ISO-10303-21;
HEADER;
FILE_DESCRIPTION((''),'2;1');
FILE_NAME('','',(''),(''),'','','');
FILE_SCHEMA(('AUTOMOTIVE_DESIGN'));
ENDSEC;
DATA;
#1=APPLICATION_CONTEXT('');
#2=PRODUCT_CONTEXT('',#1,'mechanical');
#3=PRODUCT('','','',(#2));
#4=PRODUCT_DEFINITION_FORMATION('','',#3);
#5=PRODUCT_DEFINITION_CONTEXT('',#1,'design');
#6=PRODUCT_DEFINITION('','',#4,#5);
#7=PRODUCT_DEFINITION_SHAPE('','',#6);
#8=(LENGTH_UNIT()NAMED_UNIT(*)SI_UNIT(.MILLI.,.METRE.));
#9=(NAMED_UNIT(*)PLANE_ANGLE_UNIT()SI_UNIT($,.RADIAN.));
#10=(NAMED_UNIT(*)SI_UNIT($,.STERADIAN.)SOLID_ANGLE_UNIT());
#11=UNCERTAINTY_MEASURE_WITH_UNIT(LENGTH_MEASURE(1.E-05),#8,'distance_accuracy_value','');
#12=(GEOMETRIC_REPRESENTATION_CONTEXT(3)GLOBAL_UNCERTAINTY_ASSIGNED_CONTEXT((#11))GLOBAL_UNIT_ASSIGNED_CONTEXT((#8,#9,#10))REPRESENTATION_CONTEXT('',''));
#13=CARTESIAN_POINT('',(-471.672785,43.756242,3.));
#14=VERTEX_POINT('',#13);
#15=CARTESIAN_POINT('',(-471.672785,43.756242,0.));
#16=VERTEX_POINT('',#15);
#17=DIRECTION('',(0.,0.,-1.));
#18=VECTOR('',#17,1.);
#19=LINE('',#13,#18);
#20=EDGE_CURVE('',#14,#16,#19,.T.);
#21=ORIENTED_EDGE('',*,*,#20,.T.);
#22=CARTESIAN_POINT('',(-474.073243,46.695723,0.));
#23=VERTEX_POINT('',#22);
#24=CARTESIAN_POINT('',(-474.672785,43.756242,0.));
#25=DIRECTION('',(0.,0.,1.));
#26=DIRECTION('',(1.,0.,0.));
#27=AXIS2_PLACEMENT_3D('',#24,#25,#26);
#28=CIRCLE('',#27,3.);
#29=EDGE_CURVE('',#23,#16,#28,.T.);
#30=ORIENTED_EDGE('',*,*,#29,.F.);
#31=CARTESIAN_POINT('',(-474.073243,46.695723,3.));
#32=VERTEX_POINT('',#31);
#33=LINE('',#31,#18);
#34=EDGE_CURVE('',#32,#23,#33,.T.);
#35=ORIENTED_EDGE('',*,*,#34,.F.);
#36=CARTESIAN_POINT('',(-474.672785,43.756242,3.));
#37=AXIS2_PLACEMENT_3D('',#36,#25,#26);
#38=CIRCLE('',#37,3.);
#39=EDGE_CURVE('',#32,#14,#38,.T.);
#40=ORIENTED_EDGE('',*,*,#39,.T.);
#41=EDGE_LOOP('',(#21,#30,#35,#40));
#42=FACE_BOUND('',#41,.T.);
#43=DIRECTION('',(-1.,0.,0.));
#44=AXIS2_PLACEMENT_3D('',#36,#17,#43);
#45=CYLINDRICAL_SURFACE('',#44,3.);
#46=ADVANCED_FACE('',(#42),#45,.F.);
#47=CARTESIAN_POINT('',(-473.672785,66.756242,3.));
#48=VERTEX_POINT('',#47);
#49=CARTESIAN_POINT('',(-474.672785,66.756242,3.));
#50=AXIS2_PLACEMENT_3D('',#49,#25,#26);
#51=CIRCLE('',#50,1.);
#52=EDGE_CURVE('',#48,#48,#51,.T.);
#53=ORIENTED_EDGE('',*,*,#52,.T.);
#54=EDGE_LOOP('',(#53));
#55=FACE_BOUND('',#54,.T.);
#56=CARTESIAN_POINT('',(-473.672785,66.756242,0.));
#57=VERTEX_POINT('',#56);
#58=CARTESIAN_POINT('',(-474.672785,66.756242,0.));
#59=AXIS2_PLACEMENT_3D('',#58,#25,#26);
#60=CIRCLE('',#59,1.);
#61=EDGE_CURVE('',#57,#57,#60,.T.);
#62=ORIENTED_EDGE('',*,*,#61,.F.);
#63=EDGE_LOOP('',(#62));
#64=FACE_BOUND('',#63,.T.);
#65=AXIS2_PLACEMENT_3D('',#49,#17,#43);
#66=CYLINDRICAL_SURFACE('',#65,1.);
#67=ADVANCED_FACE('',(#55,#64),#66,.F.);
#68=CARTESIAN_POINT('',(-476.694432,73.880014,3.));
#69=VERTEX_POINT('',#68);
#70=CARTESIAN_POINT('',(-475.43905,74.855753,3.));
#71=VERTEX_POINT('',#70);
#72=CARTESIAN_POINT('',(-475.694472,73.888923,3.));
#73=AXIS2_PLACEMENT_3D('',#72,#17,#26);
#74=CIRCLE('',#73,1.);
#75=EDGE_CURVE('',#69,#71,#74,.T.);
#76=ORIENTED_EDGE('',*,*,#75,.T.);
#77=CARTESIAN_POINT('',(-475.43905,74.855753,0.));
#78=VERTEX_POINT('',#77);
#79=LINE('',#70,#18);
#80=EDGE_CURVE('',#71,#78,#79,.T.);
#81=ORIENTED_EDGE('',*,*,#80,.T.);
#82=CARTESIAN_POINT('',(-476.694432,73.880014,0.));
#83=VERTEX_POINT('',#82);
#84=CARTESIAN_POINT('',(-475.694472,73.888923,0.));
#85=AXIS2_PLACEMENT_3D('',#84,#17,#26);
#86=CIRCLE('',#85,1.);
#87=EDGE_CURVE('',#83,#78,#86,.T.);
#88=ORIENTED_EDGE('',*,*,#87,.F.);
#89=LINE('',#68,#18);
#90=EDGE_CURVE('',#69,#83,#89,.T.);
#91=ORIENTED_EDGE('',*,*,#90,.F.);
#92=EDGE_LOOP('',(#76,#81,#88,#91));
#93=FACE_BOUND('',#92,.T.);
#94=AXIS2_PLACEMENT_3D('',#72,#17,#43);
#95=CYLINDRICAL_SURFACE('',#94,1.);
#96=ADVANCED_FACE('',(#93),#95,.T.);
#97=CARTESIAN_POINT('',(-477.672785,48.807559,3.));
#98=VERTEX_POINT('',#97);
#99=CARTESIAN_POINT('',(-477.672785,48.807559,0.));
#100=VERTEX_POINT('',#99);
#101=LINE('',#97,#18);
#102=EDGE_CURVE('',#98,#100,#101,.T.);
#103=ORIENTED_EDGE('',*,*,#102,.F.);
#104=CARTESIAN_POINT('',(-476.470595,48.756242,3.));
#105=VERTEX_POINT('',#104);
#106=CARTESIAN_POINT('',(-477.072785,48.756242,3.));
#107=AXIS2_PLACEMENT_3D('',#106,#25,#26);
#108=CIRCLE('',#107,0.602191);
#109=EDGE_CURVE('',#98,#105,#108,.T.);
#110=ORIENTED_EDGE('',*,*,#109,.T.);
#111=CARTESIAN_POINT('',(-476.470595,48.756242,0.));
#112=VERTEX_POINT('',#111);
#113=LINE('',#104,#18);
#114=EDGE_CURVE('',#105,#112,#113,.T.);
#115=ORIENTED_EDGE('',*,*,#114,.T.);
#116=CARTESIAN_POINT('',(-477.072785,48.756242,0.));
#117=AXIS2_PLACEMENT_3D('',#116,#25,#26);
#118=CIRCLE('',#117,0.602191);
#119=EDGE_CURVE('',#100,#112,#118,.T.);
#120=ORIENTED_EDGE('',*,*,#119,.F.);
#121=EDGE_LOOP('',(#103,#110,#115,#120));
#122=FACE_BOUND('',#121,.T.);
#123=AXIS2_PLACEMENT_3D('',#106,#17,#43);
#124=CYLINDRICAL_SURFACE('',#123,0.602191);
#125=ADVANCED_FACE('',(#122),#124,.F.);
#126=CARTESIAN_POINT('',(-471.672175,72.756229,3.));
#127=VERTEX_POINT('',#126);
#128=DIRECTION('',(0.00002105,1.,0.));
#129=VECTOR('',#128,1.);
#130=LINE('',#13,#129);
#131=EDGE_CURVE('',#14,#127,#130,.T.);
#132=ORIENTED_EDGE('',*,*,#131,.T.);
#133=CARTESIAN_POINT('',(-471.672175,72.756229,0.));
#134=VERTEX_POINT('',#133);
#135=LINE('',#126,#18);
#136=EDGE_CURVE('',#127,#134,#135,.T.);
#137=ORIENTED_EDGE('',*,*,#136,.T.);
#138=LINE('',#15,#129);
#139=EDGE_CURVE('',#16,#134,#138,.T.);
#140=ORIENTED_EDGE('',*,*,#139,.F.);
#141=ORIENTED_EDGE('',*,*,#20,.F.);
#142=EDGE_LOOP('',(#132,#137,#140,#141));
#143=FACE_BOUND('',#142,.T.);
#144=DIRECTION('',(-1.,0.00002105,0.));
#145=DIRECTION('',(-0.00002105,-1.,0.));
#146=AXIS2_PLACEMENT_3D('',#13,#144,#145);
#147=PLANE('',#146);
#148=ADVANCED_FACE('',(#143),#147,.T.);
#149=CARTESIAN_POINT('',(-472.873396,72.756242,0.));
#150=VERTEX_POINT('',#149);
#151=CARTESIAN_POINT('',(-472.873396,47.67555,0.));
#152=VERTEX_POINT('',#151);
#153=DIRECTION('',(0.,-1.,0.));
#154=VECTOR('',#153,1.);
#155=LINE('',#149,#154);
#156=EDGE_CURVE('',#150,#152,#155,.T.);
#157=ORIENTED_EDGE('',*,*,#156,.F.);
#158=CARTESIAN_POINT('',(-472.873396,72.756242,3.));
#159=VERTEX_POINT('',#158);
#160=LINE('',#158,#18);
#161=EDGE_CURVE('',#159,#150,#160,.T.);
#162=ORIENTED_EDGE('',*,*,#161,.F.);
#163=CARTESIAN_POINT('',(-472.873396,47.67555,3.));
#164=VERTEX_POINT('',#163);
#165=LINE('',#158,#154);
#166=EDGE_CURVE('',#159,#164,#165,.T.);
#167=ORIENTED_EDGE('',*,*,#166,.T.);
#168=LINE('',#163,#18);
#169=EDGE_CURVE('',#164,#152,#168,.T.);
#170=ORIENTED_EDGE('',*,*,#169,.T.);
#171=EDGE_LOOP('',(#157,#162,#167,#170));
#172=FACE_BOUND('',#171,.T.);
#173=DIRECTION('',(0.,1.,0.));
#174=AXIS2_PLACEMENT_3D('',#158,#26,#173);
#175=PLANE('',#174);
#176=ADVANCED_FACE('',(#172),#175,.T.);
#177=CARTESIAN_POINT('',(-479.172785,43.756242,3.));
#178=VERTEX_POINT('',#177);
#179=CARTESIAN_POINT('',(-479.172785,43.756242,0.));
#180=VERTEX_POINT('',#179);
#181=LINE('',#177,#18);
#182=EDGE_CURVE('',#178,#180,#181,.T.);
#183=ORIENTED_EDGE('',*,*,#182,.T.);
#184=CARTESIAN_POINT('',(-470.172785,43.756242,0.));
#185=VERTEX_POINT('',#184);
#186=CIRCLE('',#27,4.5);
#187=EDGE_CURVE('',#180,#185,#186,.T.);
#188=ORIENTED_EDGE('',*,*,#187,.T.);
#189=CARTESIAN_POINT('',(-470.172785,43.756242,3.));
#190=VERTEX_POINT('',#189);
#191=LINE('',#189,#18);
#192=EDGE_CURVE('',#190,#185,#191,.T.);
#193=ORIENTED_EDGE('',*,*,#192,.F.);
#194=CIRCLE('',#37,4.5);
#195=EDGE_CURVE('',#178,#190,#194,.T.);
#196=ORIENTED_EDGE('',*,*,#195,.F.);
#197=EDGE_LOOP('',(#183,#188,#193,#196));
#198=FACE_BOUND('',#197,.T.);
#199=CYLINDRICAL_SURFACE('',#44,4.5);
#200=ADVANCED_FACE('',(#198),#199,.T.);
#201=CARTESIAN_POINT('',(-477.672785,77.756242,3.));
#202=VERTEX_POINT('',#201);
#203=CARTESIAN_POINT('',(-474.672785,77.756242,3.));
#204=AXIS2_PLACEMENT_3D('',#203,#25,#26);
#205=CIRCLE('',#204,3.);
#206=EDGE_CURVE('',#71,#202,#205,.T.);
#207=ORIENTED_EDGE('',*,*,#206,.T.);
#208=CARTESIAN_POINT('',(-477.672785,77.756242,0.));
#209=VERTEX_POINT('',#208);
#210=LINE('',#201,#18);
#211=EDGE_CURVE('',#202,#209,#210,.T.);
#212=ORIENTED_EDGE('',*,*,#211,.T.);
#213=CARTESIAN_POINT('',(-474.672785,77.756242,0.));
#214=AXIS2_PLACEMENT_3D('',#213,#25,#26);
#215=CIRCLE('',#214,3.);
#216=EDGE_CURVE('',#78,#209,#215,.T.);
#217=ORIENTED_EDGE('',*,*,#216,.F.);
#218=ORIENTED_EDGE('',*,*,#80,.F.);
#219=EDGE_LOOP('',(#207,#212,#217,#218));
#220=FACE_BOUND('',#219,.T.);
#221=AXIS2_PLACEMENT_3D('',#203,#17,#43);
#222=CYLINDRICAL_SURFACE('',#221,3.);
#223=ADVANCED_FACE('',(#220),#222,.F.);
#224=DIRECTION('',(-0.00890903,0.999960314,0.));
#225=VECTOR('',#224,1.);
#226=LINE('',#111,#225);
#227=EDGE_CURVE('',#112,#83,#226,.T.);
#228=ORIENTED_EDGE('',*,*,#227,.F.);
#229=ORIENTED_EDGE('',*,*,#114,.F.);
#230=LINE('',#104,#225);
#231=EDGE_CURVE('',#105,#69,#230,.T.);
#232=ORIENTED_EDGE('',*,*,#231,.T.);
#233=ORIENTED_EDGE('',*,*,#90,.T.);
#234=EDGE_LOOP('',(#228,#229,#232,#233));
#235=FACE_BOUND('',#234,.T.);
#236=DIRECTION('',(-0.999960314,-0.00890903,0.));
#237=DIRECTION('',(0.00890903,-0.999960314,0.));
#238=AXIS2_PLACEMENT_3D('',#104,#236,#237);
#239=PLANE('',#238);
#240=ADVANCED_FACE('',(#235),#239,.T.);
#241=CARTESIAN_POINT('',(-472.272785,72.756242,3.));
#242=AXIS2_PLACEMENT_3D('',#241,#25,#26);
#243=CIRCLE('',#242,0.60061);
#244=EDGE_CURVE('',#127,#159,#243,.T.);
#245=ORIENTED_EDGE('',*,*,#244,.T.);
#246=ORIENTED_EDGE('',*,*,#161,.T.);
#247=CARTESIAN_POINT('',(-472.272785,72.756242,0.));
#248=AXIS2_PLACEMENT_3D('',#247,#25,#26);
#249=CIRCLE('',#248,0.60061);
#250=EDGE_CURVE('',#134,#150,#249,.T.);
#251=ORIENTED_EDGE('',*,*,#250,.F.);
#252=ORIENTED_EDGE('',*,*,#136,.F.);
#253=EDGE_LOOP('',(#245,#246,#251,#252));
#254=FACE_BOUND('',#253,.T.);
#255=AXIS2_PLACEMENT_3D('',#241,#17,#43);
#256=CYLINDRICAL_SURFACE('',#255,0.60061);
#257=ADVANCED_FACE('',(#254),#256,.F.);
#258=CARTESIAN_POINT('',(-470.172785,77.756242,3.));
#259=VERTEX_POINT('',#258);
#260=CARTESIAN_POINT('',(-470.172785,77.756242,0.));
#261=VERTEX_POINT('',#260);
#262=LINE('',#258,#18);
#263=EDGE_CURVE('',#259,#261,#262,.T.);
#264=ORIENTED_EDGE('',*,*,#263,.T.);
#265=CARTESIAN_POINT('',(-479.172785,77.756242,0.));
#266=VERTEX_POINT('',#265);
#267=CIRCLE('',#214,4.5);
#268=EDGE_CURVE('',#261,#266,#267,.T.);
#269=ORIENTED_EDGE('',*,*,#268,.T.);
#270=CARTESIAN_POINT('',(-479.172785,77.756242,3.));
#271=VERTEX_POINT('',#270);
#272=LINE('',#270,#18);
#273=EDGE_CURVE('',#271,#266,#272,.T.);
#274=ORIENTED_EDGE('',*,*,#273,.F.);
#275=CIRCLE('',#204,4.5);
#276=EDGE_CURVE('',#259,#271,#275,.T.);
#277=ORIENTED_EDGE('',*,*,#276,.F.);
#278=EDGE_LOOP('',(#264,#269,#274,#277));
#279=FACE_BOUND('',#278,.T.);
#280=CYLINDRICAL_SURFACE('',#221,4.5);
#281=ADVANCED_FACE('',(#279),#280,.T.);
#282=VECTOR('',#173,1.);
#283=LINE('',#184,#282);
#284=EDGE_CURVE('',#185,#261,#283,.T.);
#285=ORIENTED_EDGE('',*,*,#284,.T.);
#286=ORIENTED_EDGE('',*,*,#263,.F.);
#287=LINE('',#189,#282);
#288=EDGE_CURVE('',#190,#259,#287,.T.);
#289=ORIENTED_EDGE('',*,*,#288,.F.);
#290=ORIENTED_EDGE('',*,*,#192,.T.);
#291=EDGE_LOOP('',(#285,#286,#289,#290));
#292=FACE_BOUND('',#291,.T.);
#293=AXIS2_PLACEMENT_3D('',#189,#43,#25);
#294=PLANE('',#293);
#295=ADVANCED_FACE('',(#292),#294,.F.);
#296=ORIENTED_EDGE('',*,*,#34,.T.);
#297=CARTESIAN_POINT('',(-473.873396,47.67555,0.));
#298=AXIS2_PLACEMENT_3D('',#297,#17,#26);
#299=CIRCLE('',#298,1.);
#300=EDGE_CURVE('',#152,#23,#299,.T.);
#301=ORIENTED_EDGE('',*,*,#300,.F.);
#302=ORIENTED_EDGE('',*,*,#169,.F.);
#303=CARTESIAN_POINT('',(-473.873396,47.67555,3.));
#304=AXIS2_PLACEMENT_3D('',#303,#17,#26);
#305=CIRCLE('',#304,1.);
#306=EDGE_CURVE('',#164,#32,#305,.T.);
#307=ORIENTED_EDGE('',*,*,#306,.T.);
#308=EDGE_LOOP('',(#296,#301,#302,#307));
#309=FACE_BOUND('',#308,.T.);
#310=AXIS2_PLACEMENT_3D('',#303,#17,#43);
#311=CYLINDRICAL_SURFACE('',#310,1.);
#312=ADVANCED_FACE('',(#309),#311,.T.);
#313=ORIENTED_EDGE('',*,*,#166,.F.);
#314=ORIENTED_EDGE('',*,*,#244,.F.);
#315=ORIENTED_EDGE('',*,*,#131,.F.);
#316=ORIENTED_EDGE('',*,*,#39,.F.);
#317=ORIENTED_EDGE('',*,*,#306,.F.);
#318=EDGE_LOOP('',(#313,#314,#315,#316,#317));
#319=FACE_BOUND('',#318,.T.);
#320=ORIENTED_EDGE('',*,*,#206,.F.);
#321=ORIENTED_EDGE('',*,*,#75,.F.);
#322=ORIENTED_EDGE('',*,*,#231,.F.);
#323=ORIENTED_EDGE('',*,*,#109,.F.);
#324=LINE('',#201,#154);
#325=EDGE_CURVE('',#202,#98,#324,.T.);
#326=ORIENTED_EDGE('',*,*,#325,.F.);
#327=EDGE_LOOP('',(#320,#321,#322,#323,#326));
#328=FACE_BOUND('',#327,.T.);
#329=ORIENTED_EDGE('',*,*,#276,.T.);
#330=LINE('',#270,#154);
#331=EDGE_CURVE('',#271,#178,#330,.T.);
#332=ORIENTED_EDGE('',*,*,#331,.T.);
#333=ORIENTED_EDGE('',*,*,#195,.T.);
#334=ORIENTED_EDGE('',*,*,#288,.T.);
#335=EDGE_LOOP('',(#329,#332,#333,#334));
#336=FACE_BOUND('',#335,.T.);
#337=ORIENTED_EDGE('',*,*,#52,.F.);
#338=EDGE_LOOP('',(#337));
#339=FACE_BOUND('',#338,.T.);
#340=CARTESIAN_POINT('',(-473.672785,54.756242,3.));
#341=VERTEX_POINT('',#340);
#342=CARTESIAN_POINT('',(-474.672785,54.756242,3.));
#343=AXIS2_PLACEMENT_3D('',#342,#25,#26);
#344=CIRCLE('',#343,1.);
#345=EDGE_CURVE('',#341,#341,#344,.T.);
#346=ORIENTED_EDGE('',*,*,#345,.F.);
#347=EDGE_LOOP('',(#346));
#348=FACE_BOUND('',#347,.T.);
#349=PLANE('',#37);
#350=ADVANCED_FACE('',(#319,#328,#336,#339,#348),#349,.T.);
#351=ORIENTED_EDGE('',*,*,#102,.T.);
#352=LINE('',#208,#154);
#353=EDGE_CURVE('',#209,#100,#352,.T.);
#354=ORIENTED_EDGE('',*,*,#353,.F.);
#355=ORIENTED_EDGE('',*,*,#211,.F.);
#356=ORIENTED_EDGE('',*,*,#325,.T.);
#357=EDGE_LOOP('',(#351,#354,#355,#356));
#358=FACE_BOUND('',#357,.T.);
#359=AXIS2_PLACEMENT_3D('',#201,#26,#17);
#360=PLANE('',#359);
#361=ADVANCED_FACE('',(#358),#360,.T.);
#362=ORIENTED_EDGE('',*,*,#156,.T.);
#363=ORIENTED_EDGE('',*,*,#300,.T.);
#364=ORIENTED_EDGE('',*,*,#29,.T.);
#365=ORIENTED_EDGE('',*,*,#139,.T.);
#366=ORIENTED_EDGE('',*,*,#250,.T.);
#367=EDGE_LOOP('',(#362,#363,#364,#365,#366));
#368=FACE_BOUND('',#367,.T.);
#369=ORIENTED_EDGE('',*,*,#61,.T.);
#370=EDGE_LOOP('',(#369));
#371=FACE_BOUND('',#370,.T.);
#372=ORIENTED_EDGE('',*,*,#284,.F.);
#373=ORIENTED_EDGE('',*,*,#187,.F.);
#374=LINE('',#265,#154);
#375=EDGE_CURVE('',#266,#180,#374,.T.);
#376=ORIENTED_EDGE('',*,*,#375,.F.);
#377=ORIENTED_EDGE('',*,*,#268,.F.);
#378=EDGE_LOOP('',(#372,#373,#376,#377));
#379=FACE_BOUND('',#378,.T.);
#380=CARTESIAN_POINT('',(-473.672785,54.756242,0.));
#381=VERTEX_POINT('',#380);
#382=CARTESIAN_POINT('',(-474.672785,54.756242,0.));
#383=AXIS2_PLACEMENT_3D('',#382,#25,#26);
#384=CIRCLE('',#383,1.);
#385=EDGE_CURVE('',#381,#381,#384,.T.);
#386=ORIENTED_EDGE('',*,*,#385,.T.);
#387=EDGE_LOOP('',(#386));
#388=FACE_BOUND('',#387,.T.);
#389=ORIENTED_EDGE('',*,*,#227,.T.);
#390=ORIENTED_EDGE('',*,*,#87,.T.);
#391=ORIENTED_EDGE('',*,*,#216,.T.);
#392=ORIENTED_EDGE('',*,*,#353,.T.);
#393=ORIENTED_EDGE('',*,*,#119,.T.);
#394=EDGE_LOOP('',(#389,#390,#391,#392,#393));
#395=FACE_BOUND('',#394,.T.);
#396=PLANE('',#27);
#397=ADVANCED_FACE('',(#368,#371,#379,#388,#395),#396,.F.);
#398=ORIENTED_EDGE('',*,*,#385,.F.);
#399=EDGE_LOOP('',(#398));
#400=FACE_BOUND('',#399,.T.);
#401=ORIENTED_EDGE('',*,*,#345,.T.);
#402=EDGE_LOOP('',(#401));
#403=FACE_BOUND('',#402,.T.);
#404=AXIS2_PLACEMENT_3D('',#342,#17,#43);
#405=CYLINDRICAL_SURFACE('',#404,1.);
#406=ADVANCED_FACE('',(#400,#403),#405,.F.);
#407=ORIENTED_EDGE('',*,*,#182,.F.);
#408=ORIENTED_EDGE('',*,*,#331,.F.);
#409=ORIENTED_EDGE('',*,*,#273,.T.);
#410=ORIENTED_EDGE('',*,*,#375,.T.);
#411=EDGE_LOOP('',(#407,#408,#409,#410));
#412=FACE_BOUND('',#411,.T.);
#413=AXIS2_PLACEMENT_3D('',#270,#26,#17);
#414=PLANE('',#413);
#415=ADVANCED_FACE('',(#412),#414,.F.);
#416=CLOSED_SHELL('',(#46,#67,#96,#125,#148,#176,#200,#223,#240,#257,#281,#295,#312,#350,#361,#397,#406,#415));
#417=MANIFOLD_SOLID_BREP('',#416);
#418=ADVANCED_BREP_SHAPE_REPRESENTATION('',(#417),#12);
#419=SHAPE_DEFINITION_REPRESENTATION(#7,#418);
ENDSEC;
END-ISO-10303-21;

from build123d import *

# Parameters (mm, degrees)
SKETCH_1_R      = 1
EXTRUDE_1_DEPTH = 3


with BuildPart() as part:
    # 草图1 → 凸台-拉伸1 (new body)
    with BuildSketch(Plane.XY):
        with BuildLine():
            Line((-470.172785233, 43.756242), (-470.172785233, 77.756242))
            ThreePointArc((-470.172785233, 77.756242), (-474.672785233, 82.256242), (-479.172785233, 77.756242))
            Line((-479.172785233, 77.756242), (-479.172785233, 43.756242))
            ThreePointArc((-479.172785233, 43.756242), (-474.672785233, 39.256242), (-470.172785233, 43.756242))
        make_face()
        with Locations((-474.672785233, 66.756242)):
            Circle(SKETCH_1_R, mode=Mode.SUBTRACT)
        with Locations((-474.672785233, 54.756242)):
            Circle(SKETCH_1_R, mode=Mode.SUBTRACT)
        with BuildLine():
            Line((-472.873395696, 72.756242), (-472.873395696, 47.675550149))
            ThreePointArc((-472.873395696, 47.675550149), (-473.24087984, 46.901002738), (-474.07324308, 46.695723112))
            ThreePointArc((-474.07324308, 46.695723112), (-476.996427467, 41.858694433), (-471.672785233, 43.756242))
            Line((-471.672785233, 43.756242), (-471.672174771, 72.756229357))
            ThreePointArc((-471.672174771, 72.756229357), (-472.272778912, 73.356852463), (-472.873395696, 72.756242))
        make_face(mode=Mode.SUBTRACT)
        with BuildLine():
            Line((-476.470594729, 48.756242), (-476.694432062, 73.880013915))
            ThreePointArc((-476.694432062, 73.880013915), (-476.308150012, 74.678479143), (-475.439050119, 74.855752709))
            ThreePointArc((-475.439050119, 74.855752709), (-472.295939145, 79.586707151), (-477.672785233, 77.756242))
            Line((-477.672785233, 77.756242), (-477.672785233, 48.807558702))
            ThreePointArc((-477.672785233, 48.807558702), (-477.09846695, 48.154599371), (-476.470594729, 48.756242))
        make_face(mode=Mode.SUBTRACT)
    extrude(amount=EXTRUDE_1_DEPTH)


solid = part.part
